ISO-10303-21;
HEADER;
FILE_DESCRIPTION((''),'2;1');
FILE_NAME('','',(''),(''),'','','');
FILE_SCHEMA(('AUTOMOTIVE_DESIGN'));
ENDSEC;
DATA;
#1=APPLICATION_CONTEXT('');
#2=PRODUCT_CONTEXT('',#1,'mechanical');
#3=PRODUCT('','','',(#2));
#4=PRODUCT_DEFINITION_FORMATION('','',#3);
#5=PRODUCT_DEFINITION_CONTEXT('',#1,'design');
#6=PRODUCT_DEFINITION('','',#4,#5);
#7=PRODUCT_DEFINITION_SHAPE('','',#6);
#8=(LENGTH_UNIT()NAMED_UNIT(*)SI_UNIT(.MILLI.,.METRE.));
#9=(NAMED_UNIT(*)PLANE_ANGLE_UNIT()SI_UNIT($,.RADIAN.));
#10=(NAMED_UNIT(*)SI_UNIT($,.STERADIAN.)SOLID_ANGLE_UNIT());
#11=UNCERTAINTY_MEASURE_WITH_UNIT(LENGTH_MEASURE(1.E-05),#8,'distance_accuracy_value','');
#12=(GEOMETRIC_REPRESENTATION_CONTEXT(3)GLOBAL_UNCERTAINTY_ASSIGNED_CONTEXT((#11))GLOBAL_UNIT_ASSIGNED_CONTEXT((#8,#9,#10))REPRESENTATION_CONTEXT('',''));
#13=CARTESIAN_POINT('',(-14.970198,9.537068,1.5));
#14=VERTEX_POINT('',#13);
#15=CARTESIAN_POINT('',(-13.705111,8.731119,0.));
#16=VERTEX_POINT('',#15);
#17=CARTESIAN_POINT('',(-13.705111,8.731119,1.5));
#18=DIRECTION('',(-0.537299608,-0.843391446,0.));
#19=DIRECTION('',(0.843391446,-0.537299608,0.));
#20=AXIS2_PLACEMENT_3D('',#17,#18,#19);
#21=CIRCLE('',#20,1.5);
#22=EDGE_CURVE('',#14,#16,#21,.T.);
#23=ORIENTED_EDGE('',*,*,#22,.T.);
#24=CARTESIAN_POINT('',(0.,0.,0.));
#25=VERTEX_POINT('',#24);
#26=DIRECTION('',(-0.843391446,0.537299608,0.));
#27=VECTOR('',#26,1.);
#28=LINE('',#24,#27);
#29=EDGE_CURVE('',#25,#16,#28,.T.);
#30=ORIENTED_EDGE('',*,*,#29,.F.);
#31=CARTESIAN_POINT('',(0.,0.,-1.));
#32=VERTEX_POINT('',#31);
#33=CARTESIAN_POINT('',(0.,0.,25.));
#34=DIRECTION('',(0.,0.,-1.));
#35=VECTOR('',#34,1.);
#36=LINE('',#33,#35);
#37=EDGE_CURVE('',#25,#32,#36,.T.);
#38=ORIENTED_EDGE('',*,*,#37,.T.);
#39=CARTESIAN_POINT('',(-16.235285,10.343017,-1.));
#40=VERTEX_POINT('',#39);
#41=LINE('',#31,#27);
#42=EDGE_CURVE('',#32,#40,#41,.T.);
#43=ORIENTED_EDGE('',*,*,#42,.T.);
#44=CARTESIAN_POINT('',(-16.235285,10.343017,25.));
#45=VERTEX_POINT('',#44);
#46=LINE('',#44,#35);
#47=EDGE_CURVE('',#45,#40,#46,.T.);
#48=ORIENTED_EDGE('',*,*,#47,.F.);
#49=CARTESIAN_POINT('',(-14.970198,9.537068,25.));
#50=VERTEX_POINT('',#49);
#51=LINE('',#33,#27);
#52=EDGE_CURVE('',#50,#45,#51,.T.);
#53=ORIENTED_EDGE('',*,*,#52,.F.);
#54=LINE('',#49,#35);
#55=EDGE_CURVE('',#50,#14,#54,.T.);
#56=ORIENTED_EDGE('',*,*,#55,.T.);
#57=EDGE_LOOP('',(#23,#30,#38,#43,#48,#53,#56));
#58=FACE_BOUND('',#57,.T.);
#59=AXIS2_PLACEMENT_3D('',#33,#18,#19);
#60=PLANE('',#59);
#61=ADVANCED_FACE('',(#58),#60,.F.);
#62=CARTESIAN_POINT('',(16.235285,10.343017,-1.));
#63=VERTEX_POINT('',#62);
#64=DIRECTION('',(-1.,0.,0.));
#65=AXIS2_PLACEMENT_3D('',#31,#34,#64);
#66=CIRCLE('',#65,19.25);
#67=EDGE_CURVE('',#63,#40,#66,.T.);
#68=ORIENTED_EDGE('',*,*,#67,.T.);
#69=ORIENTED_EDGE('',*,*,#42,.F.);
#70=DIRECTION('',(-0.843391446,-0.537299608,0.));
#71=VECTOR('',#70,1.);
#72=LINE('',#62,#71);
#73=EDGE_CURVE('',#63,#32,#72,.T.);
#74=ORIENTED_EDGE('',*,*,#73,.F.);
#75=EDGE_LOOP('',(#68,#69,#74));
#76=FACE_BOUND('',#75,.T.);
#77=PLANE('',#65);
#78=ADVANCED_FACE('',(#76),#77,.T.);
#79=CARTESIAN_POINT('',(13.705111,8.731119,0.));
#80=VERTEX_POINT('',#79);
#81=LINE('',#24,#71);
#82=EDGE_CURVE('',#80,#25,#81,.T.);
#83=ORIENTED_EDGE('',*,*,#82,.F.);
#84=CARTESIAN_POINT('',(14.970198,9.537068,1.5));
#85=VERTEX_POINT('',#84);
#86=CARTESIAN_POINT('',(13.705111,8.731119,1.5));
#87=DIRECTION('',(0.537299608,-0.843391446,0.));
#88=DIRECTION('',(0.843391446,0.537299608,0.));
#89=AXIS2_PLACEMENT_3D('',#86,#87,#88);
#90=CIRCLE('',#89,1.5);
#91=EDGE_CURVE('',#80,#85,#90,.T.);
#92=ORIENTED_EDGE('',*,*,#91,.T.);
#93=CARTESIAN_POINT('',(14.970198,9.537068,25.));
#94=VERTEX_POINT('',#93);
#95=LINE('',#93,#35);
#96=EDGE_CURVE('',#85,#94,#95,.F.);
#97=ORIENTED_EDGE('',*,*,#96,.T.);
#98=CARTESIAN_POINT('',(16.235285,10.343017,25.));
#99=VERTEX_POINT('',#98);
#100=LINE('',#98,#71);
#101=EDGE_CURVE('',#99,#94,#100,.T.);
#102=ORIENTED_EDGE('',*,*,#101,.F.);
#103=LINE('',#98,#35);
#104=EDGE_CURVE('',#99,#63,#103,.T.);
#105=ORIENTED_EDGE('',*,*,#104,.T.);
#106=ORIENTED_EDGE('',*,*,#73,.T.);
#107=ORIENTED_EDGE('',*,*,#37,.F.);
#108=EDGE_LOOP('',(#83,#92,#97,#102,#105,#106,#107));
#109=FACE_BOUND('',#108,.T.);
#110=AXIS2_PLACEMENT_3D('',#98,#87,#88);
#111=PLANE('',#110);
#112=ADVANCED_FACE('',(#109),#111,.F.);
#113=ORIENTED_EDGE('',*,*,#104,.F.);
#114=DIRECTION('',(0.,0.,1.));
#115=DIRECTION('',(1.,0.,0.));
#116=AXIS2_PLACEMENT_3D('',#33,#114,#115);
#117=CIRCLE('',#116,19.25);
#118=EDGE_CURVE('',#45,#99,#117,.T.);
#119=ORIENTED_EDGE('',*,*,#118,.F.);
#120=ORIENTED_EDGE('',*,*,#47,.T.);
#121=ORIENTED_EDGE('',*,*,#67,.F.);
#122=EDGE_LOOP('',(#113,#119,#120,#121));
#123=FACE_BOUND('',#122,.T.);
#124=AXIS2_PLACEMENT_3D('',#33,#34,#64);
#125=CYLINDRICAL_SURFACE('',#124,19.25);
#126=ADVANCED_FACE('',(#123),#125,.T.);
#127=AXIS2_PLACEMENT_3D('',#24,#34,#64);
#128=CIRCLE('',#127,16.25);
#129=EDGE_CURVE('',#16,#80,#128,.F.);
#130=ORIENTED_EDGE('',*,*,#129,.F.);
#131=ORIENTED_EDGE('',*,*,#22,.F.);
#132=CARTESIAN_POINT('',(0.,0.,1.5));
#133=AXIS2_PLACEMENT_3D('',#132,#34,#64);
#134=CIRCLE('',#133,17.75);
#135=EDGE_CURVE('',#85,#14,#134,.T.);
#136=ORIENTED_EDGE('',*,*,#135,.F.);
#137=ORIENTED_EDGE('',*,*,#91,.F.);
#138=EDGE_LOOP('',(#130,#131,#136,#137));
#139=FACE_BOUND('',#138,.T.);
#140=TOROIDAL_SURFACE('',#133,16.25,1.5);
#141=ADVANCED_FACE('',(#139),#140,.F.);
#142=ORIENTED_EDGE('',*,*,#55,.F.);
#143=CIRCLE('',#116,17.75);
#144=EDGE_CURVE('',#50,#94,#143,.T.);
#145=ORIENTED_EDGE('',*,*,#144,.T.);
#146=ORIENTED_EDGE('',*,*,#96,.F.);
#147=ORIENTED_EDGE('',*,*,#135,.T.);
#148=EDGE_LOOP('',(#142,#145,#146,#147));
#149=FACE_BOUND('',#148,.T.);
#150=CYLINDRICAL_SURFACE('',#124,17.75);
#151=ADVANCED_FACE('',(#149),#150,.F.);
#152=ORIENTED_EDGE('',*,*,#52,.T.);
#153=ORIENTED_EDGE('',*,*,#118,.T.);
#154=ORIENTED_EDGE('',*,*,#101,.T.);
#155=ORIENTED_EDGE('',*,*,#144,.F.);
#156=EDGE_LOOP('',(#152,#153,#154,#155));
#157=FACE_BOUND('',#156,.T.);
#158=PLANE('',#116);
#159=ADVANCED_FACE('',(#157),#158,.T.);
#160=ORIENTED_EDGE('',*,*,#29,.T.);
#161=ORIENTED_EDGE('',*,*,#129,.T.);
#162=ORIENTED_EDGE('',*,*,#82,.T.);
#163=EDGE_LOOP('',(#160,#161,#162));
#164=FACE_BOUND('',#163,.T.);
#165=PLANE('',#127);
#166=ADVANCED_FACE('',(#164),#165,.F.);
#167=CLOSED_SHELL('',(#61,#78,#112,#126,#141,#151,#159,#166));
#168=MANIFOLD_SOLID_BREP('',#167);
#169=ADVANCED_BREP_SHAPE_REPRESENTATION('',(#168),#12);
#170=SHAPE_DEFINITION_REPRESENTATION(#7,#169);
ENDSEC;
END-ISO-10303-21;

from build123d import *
from build123d.topology import SkipClean

# Parameters (mm, degrees)
SKETCH1_R           = 19.25
SKETCH1_R_2         = 17.75
BOSS_EXTRUDE1_DEPTH = 25
BOSS_EXTRUDE2_START = 1
SKETCH2_R           = 19.25
BOSS_EXTRUDE2_DEPTH = 1
CUT_EXTRUDE1_DEPTH  = 38.644720745
FILLET2_R           = 1.5


with BuildPart() as part:
    # Sketch1 → Boss-Extrude1 (new body)
    with BuildSketch(Plane.XY):
        Circle(SKETCH1_R)
        Circle(SKETCH1_R_2, mode=Mode.SUBTRACT)
    extrude(amount=BOSS_EXTRUDE1_DEPTH)

    # Sketch2 → Boss-Extrude2 (add)
    with BuildSketch(Plane(origin=(0, 0, 0), x_dir=(-1, 0, 0), z_dir=(0, 0, -1)).offset(BOSS_EXTRUDE2_START)):
        Circle(SKETCH2_R)
    extrude(amount=-BOSS_EXTRUDE2_DEPTH)

    # Sketch3 → Cut-Extrude1 (cut, through all)
    with SkipClean():  # the faces are left unmerged after this step: merging them gives an invalid solid
        with BuildSketch(Plane(origin=(0, 0, -1), x_dir=(-1, 0, 0), z_dir=(0, 0, -1))):
            with BuildLine():
                Line((-16.235285332, 10.343017461), (0, 0))
                Line((0, 0), (16.235285332, 10.343017461))
                ThreePointArc((16.235285332, 10.343017461), (0, 19.25), (-16.235285332, 10.343017461))
            make_face()
        extrude(amount=-CUT_EXTRUDE1_DEPTH, mode=Mode.SUBTRACT)

    # Fillet2
    fillet2_edges = [part.edges().sort_by_distance(p)[0] for p in [
        (-4.966964999, -17.040884915, 0),
    ]]
    fillet(fillet2_edges, radius=FILLET2_R)


solid = part.part
